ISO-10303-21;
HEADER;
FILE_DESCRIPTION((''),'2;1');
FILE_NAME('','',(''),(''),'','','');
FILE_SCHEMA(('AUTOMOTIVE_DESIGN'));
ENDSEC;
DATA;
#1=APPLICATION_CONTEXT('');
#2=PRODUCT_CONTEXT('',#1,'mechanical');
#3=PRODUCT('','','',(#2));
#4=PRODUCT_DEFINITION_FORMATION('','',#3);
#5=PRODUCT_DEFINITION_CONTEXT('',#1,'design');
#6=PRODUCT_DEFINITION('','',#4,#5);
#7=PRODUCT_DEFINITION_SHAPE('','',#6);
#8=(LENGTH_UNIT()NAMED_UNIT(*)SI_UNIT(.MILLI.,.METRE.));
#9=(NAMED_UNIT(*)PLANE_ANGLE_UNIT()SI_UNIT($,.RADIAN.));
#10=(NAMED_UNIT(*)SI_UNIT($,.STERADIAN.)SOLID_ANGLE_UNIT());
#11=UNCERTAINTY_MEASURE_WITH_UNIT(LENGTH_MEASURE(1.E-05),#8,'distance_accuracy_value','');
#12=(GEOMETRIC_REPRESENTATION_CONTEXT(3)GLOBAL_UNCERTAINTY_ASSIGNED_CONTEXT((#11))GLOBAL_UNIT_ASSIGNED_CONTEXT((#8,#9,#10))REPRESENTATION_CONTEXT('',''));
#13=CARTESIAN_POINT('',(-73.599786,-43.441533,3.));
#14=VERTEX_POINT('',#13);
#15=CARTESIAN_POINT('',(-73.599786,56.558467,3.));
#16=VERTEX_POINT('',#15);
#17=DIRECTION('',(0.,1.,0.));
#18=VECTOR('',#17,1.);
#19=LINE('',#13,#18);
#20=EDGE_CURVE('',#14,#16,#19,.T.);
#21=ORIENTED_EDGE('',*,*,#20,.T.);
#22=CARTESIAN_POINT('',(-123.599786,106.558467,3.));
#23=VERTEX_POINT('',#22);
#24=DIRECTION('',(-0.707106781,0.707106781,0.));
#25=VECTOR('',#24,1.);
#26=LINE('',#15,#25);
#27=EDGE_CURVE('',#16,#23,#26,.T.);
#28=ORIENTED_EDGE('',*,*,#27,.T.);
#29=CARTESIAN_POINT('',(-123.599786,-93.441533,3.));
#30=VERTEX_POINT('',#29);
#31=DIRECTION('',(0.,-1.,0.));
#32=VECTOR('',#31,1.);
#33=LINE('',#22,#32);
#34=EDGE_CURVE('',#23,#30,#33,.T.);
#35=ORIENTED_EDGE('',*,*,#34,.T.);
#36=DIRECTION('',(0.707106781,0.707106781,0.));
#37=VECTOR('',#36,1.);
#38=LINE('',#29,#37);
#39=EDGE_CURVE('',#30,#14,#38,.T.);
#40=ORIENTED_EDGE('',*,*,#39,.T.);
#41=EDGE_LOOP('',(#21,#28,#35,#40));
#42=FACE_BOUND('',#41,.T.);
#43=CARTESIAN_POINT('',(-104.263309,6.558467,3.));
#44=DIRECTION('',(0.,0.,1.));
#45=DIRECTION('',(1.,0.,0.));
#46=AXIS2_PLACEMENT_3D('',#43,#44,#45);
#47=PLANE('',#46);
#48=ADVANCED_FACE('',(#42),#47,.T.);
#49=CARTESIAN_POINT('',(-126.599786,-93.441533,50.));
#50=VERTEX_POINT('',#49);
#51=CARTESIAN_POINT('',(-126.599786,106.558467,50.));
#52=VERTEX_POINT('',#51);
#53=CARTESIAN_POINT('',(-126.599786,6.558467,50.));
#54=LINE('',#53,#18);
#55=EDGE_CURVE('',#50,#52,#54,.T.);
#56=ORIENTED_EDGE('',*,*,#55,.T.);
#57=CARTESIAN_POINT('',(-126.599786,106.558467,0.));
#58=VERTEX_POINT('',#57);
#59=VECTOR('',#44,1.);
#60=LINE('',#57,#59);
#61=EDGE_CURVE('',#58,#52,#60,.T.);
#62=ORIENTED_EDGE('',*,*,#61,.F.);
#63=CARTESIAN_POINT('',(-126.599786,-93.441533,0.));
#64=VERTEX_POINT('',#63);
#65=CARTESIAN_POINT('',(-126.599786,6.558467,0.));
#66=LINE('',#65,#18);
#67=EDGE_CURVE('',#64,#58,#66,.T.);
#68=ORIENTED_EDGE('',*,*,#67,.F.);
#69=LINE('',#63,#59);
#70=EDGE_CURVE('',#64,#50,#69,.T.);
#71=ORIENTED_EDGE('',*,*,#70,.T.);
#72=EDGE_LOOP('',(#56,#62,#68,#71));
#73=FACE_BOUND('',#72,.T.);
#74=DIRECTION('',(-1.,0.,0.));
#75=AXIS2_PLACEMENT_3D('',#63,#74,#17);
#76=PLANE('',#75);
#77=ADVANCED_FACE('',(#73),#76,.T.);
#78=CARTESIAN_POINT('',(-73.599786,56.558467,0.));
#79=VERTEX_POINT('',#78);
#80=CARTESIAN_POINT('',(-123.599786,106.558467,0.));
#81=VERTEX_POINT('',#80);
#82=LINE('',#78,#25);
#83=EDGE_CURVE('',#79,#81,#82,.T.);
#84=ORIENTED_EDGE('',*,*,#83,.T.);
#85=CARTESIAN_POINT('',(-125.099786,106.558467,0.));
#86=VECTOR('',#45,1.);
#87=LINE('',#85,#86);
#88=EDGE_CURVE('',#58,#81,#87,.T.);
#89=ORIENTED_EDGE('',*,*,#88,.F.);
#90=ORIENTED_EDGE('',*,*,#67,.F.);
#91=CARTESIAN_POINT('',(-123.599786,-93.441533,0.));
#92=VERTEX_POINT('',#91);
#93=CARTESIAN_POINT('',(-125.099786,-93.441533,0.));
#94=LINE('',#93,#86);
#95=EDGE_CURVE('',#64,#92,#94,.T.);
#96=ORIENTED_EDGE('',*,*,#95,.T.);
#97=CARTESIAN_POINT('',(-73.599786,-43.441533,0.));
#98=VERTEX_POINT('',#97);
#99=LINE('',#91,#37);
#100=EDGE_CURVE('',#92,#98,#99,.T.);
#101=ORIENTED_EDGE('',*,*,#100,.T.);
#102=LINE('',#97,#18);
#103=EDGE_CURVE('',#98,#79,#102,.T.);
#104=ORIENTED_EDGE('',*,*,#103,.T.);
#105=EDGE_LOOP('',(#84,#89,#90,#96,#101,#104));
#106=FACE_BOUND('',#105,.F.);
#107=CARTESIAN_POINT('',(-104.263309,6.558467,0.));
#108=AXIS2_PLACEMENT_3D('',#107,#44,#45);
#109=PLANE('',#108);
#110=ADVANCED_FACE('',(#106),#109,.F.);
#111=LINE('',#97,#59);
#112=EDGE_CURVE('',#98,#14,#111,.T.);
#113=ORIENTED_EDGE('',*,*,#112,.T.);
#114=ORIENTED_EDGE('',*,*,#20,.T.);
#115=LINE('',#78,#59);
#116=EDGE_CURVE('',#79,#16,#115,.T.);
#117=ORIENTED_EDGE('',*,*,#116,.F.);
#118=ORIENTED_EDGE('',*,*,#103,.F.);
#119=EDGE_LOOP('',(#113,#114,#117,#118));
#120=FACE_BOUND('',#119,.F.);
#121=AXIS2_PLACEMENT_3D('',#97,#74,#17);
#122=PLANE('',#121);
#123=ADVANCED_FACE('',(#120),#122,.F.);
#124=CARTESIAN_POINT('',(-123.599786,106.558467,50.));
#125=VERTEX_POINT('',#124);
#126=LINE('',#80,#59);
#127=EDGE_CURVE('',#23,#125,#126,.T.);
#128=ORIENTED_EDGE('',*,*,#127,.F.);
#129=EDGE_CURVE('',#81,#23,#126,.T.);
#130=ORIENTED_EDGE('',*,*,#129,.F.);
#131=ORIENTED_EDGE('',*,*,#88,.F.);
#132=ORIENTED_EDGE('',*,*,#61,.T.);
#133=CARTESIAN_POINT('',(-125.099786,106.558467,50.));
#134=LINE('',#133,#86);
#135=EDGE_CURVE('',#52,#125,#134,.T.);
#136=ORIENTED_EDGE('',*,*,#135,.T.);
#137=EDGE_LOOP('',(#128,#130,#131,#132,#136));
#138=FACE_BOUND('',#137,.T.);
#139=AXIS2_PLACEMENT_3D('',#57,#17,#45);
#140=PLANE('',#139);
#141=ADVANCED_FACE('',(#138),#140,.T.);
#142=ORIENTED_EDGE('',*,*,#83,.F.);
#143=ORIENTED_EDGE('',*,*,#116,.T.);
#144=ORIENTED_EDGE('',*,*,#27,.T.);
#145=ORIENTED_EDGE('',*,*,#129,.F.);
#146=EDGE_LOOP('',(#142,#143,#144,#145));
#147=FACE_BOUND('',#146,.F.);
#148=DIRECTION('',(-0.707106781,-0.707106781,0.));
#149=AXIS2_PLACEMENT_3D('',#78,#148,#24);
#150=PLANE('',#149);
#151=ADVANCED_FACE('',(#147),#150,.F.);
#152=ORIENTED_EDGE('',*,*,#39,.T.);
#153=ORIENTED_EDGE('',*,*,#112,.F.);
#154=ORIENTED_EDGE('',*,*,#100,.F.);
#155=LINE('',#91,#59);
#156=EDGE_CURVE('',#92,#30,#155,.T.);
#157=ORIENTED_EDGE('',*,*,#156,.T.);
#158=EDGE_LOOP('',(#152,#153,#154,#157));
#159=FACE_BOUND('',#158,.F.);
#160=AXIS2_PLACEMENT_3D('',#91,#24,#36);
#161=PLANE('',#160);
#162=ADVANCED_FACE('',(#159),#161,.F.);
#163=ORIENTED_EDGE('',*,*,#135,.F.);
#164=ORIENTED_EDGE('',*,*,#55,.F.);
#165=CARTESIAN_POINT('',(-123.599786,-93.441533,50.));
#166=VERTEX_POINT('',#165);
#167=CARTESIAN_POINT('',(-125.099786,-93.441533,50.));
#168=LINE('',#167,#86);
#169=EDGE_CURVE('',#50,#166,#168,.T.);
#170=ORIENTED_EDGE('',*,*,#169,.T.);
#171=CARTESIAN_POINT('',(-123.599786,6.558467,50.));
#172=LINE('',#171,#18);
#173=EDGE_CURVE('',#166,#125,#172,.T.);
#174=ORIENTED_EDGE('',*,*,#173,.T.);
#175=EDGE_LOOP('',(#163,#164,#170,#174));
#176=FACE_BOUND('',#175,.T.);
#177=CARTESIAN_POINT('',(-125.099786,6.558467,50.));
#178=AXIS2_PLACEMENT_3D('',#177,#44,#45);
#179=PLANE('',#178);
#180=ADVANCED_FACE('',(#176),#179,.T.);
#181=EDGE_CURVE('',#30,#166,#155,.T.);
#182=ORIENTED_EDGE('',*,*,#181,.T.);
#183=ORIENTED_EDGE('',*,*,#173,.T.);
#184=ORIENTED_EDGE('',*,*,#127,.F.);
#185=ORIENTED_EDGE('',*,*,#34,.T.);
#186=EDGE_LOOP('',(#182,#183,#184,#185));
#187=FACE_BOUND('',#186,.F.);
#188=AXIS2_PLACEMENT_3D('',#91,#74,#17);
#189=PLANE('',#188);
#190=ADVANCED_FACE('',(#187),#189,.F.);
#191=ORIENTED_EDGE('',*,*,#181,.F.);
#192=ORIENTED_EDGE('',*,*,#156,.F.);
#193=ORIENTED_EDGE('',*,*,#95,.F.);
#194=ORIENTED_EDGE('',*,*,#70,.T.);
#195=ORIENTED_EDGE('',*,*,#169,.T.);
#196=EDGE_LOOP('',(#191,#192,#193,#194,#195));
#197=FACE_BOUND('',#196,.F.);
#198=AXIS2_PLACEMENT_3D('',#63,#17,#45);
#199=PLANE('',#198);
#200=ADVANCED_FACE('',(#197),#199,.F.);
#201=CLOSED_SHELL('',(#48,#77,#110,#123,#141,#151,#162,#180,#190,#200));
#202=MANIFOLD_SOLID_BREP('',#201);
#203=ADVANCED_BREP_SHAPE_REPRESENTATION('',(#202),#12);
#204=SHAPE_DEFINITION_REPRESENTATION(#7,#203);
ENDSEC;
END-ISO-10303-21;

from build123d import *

# Parameters (mm, degrees)
F0_W     = 3
F0_H     = 200
F1_DEPTH = 50
F2_DEPTH = 3


with BuildPart() as f1:
    # F0 (on Top) → F1 (new body)
    with BuildSketch(Plane.XY):
        with Locations((-125.099786, 6.558467)):
            Rectangle(F0_W, F0_H)
    extrude(amount=F1_DEPTH)

    # F0 (on Top) → F2 (join)
    with BuildSketch(Plane.XY):
        Polygon((-73.599786, 56.558467), (-123.599786, 106.558467), (-123.599786, -93.441533), (-73.599786, -43.441533), align=None)
    extrude(amount=F2_DEPTH)


solid = f1.part
